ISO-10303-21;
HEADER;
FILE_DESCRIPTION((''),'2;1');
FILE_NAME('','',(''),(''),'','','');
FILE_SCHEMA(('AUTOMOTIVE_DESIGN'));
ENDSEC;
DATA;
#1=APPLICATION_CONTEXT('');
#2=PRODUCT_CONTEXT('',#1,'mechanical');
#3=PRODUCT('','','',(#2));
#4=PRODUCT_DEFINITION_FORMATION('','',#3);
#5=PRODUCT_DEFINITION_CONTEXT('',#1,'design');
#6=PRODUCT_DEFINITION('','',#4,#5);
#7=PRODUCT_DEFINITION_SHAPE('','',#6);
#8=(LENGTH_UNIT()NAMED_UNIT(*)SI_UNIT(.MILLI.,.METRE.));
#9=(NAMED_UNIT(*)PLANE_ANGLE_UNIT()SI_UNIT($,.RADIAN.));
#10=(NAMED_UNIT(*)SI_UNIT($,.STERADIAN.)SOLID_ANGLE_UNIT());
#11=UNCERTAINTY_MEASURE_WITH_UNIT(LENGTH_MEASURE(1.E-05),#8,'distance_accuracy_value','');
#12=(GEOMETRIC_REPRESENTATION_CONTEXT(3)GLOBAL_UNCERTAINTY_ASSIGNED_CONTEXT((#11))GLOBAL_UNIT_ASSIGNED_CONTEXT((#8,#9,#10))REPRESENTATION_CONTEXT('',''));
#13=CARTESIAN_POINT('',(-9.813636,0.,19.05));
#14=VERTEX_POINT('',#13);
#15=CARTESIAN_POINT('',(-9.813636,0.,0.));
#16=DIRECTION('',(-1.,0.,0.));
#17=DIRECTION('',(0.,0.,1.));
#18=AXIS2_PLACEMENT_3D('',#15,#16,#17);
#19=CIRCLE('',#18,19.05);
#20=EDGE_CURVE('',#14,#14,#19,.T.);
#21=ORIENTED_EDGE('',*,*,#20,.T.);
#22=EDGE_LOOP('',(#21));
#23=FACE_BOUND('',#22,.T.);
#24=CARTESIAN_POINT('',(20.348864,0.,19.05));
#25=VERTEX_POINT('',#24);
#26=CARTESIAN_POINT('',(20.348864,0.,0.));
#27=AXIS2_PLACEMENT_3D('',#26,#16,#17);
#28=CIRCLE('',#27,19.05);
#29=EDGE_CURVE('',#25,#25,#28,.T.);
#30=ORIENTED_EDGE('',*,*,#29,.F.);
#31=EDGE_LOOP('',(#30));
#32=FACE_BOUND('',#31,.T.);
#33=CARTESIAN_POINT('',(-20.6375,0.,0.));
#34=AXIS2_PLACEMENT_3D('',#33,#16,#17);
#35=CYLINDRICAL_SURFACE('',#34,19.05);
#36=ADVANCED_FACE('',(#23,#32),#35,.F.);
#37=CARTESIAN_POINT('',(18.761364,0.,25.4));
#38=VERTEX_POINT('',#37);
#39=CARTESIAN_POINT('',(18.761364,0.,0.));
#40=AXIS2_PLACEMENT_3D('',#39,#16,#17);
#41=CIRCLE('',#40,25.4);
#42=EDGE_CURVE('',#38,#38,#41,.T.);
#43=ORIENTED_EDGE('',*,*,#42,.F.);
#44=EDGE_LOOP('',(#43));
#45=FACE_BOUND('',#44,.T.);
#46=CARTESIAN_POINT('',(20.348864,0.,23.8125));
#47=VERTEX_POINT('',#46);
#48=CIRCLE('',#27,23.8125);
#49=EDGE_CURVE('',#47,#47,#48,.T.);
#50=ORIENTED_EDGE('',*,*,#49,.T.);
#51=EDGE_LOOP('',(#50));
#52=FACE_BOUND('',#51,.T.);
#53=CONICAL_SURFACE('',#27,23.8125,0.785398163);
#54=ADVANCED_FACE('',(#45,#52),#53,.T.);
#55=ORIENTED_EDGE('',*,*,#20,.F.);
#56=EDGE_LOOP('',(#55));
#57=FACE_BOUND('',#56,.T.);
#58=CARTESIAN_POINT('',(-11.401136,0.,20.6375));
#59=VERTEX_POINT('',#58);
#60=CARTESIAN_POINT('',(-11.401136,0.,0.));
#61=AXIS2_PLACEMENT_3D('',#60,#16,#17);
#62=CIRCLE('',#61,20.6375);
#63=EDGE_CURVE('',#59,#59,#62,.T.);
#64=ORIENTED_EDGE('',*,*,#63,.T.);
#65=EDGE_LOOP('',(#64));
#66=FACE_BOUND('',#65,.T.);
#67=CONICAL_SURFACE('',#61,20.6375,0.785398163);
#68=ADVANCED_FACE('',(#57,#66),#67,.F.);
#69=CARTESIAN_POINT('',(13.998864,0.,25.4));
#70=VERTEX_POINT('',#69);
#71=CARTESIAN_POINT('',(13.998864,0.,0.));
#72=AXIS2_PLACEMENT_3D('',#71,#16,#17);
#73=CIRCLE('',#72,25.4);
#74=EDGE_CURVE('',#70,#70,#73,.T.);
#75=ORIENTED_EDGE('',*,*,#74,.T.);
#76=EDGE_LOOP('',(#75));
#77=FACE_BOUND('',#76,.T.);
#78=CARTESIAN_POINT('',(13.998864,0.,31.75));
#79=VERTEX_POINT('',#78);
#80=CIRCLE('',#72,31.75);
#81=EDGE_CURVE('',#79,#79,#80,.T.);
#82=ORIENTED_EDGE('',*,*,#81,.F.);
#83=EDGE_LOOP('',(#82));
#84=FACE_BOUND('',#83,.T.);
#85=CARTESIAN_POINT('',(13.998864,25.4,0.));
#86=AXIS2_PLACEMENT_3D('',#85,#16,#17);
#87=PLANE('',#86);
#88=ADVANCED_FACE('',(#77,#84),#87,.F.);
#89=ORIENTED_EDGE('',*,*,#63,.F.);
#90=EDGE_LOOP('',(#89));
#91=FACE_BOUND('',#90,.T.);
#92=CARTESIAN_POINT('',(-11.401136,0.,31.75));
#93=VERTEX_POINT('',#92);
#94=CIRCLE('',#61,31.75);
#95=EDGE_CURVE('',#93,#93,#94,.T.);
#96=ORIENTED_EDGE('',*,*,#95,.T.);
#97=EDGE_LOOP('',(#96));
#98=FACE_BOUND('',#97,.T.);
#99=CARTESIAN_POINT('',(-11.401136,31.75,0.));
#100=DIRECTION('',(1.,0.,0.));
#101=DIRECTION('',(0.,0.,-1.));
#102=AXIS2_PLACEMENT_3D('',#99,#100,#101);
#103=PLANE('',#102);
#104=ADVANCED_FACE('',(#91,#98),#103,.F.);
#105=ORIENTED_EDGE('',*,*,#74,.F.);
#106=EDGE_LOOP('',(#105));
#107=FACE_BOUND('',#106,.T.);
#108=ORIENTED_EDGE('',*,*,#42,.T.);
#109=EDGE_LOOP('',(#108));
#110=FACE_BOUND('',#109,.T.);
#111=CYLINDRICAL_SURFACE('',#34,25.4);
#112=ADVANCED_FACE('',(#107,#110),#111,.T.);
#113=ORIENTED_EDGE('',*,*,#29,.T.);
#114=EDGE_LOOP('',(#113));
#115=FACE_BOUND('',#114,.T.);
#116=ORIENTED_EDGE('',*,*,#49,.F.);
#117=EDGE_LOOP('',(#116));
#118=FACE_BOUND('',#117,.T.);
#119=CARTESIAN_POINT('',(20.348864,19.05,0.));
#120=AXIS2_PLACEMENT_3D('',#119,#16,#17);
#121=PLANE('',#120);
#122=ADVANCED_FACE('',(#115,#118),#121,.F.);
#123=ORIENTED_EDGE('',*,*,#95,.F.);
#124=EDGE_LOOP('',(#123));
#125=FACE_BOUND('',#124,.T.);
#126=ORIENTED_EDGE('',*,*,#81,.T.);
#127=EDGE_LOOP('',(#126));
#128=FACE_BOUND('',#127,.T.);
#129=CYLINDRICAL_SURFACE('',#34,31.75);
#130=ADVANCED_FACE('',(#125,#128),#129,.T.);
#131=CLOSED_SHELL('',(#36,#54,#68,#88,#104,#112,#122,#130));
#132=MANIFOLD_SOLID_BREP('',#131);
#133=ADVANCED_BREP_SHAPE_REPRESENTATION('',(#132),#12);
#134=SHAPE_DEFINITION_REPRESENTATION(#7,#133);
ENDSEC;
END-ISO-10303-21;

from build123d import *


with BuildPart() as part:
    # Sketch1 → Revolve1 (revolve)
    with BuildSketch(Plane.XY):
        Polygon((9.092045455, 19.05), (20.348863636, 19.05), (20.348863636, 23.8125), (18.761363636, 25.4), (13.998863636, 25.4), (13.998863636, 31.75), (-11.401136364, 31.75), (-11.401136364, 20.6375), (-9.813636364, 19.05), align=None)
    revolve(axis=Axis((-20.6375, 0, 0), (1, 0, 0)))


solid = part.part
